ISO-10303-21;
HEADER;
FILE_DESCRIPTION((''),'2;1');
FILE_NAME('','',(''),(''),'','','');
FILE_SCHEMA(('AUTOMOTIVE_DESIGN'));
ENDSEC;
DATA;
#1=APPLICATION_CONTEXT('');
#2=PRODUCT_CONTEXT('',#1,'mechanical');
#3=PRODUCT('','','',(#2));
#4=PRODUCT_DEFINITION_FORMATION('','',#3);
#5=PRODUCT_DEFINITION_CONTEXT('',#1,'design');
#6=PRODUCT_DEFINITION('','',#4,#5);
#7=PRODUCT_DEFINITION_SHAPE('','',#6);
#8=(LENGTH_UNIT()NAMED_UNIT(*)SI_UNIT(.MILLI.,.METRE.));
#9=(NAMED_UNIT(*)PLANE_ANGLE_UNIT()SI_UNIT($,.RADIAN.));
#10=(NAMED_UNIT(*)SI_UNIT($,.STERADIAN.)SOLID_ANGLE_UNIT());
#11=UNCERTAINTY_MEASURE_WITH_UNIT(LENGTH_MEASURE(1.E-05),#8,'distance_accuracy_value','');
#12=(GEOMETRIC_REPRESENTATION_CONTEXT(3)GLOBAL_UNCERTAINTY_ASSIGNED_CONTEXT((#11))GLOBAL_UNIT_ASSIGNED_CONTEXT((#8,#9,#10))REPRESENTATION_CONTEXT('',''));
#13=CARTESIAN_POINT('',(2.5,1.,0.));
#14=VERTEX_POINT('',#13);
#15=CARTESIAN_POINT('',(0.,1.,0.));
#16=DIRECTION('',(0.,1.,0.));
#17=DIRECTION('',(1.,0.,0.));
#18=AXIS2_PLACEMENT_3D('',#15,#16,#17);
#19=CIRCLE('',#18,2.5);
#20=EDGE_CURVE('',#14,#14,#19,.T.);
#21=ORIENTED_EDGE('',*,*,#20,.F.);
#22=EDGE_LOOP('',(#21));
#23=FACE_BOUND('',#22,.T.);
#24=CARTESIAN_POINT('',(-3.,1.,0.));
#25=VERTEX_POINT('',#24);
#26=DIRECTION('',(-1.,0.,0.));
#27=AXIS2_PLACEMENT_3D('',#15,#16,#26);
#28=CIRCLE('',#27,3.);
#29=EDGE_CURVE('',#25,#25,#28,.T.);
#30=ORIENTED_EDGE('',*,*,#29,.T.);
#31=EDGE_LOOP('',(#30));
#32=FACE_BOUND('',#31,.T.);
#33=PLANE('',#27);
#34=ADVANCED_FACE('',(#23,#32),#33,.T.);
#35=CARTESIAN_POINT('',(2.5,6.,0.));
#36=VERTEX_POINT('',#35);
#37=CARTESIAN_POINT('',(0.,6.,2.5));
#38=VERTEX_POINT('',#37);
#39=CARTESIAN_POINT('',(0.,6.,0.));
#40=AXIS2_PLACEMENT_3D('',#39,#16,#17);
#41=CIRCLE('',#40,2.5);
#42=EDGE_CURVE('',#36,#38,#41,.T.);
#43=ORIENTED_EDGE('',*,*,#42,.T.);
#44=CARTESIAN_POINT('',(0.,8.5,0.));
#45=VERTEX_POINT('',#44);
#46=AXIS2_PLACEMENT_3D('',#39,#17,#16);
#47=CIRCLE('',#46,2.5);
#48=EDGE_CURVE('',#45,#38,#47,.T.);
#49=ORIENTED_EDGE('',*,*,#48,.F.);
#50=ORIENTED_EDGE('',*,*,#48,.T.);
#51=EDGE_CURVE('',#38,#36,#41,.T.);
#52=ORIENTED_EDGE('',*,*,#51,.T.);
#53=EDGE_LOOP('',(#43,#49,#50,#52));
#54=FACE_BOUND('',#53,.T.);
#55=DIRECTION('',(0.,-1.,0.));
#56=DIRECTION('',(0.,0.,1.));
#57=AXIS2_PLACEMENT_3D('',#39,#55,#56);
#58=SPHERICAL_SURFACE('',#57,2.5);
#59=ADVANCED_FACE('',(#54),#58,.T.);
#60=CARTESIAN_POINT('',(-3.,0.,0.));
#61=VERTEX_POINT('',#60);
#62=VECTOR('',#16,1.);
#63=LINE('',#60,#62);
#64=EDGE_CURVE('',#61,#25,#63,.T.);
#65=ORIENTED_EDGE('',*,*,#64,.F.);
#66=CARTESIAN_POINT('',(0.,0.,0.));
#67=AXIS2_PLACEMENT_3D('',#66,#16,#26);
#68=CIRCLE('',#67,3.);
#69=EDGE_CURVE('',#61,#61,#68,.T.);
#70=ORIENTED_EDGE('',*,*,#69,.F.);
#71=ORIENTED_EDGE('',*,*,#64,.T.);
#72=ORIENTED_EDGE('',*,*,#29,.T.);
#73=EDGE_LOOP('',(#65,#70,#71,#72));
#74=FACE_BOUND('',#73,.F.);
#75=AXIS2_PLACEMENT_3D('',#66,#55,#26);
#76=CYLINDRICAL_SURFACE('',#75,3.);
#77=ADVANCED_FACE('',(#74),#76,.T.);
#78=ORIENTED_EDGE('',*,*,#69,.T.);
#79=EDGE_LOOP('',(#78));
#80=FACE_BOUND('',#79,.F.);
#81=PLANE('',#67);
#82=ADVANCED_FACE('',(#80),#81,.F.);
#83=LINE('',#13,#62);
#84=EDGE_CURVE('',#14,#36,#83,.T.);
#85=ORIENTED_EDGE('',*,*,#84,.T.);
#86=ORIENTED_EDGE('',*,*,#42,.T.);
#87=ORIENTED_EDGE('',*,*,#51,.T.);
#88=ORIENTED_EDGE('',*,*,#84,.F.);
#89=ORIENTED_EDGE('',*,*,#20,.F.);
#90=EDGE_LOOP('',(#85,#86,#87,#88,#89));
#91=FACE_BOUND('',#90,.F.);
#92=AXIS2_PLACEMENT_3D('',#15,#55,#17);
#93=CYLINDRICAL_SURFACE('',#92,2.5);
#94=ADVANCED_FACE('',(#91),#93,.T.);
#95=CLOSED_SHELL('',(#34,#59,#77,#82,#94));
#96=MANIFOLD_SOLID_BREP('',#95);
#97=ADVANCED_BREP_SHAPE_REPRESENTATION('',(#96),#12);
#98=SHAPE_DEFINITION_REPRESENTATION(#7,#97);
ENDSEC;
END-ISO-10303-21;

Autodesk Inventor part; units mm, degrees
ref_plane "YZ Plane" through (0, 0, 0) normal (1, 0, 0) x (0, 1, 0)
ref_plane "XZ Plane" through (0, 0, 0) normal (0, 1, 0) x (-1, 0, 0)
ref_plane "XY Plane" through (0, 0, 0) normal (0, 0, 1) x (1, 0, 0)
sketch "Sketch1" plane through (0, 0, 0) normal (0, 1, 0) x (-1, 0, 0)
  circle A0 centre (0, 0) radius 3
  dimension "d0" = 6
extrude "Extrusion1" add sketch "Sketch1" along normal blind 1
sketch "Sketch2" plane through (0, 1, 0) normal (0, 1, 0) x (1, 0, 0)
  circle A0 centre (0, 0) radius 2.5
  dimension "d3" = 5
extrude "Extrusion2" add sketch "Sketch2" along normal blind 5
sketch "Sketch4" plane through (0, 0, 0) normal (1, 0, 0) x (0, 1, 0)
  line L0 (6, -2.5) -> (6, 2.5) projected
  line L1 (1, 2.5) -> (1, -2.5) projected
  line L2 (1, 2.5) -> (6, 2.5) projected
  line L3 (6, -2.5) -> (6, 2.5) projected
  arc A0 (8.5, 0) -> (6, 2.5) centre (6, 0) ccw
  line L4 (8.5, 0) -> (6, 0)
  point P0 (0, 0)
revolve "Revolution1" add sketch "Sketch4" angle 360 about axis through (0, 8.5, 0) along (0, -1, 0)
properties part number "LED5mm" material "Glass"
